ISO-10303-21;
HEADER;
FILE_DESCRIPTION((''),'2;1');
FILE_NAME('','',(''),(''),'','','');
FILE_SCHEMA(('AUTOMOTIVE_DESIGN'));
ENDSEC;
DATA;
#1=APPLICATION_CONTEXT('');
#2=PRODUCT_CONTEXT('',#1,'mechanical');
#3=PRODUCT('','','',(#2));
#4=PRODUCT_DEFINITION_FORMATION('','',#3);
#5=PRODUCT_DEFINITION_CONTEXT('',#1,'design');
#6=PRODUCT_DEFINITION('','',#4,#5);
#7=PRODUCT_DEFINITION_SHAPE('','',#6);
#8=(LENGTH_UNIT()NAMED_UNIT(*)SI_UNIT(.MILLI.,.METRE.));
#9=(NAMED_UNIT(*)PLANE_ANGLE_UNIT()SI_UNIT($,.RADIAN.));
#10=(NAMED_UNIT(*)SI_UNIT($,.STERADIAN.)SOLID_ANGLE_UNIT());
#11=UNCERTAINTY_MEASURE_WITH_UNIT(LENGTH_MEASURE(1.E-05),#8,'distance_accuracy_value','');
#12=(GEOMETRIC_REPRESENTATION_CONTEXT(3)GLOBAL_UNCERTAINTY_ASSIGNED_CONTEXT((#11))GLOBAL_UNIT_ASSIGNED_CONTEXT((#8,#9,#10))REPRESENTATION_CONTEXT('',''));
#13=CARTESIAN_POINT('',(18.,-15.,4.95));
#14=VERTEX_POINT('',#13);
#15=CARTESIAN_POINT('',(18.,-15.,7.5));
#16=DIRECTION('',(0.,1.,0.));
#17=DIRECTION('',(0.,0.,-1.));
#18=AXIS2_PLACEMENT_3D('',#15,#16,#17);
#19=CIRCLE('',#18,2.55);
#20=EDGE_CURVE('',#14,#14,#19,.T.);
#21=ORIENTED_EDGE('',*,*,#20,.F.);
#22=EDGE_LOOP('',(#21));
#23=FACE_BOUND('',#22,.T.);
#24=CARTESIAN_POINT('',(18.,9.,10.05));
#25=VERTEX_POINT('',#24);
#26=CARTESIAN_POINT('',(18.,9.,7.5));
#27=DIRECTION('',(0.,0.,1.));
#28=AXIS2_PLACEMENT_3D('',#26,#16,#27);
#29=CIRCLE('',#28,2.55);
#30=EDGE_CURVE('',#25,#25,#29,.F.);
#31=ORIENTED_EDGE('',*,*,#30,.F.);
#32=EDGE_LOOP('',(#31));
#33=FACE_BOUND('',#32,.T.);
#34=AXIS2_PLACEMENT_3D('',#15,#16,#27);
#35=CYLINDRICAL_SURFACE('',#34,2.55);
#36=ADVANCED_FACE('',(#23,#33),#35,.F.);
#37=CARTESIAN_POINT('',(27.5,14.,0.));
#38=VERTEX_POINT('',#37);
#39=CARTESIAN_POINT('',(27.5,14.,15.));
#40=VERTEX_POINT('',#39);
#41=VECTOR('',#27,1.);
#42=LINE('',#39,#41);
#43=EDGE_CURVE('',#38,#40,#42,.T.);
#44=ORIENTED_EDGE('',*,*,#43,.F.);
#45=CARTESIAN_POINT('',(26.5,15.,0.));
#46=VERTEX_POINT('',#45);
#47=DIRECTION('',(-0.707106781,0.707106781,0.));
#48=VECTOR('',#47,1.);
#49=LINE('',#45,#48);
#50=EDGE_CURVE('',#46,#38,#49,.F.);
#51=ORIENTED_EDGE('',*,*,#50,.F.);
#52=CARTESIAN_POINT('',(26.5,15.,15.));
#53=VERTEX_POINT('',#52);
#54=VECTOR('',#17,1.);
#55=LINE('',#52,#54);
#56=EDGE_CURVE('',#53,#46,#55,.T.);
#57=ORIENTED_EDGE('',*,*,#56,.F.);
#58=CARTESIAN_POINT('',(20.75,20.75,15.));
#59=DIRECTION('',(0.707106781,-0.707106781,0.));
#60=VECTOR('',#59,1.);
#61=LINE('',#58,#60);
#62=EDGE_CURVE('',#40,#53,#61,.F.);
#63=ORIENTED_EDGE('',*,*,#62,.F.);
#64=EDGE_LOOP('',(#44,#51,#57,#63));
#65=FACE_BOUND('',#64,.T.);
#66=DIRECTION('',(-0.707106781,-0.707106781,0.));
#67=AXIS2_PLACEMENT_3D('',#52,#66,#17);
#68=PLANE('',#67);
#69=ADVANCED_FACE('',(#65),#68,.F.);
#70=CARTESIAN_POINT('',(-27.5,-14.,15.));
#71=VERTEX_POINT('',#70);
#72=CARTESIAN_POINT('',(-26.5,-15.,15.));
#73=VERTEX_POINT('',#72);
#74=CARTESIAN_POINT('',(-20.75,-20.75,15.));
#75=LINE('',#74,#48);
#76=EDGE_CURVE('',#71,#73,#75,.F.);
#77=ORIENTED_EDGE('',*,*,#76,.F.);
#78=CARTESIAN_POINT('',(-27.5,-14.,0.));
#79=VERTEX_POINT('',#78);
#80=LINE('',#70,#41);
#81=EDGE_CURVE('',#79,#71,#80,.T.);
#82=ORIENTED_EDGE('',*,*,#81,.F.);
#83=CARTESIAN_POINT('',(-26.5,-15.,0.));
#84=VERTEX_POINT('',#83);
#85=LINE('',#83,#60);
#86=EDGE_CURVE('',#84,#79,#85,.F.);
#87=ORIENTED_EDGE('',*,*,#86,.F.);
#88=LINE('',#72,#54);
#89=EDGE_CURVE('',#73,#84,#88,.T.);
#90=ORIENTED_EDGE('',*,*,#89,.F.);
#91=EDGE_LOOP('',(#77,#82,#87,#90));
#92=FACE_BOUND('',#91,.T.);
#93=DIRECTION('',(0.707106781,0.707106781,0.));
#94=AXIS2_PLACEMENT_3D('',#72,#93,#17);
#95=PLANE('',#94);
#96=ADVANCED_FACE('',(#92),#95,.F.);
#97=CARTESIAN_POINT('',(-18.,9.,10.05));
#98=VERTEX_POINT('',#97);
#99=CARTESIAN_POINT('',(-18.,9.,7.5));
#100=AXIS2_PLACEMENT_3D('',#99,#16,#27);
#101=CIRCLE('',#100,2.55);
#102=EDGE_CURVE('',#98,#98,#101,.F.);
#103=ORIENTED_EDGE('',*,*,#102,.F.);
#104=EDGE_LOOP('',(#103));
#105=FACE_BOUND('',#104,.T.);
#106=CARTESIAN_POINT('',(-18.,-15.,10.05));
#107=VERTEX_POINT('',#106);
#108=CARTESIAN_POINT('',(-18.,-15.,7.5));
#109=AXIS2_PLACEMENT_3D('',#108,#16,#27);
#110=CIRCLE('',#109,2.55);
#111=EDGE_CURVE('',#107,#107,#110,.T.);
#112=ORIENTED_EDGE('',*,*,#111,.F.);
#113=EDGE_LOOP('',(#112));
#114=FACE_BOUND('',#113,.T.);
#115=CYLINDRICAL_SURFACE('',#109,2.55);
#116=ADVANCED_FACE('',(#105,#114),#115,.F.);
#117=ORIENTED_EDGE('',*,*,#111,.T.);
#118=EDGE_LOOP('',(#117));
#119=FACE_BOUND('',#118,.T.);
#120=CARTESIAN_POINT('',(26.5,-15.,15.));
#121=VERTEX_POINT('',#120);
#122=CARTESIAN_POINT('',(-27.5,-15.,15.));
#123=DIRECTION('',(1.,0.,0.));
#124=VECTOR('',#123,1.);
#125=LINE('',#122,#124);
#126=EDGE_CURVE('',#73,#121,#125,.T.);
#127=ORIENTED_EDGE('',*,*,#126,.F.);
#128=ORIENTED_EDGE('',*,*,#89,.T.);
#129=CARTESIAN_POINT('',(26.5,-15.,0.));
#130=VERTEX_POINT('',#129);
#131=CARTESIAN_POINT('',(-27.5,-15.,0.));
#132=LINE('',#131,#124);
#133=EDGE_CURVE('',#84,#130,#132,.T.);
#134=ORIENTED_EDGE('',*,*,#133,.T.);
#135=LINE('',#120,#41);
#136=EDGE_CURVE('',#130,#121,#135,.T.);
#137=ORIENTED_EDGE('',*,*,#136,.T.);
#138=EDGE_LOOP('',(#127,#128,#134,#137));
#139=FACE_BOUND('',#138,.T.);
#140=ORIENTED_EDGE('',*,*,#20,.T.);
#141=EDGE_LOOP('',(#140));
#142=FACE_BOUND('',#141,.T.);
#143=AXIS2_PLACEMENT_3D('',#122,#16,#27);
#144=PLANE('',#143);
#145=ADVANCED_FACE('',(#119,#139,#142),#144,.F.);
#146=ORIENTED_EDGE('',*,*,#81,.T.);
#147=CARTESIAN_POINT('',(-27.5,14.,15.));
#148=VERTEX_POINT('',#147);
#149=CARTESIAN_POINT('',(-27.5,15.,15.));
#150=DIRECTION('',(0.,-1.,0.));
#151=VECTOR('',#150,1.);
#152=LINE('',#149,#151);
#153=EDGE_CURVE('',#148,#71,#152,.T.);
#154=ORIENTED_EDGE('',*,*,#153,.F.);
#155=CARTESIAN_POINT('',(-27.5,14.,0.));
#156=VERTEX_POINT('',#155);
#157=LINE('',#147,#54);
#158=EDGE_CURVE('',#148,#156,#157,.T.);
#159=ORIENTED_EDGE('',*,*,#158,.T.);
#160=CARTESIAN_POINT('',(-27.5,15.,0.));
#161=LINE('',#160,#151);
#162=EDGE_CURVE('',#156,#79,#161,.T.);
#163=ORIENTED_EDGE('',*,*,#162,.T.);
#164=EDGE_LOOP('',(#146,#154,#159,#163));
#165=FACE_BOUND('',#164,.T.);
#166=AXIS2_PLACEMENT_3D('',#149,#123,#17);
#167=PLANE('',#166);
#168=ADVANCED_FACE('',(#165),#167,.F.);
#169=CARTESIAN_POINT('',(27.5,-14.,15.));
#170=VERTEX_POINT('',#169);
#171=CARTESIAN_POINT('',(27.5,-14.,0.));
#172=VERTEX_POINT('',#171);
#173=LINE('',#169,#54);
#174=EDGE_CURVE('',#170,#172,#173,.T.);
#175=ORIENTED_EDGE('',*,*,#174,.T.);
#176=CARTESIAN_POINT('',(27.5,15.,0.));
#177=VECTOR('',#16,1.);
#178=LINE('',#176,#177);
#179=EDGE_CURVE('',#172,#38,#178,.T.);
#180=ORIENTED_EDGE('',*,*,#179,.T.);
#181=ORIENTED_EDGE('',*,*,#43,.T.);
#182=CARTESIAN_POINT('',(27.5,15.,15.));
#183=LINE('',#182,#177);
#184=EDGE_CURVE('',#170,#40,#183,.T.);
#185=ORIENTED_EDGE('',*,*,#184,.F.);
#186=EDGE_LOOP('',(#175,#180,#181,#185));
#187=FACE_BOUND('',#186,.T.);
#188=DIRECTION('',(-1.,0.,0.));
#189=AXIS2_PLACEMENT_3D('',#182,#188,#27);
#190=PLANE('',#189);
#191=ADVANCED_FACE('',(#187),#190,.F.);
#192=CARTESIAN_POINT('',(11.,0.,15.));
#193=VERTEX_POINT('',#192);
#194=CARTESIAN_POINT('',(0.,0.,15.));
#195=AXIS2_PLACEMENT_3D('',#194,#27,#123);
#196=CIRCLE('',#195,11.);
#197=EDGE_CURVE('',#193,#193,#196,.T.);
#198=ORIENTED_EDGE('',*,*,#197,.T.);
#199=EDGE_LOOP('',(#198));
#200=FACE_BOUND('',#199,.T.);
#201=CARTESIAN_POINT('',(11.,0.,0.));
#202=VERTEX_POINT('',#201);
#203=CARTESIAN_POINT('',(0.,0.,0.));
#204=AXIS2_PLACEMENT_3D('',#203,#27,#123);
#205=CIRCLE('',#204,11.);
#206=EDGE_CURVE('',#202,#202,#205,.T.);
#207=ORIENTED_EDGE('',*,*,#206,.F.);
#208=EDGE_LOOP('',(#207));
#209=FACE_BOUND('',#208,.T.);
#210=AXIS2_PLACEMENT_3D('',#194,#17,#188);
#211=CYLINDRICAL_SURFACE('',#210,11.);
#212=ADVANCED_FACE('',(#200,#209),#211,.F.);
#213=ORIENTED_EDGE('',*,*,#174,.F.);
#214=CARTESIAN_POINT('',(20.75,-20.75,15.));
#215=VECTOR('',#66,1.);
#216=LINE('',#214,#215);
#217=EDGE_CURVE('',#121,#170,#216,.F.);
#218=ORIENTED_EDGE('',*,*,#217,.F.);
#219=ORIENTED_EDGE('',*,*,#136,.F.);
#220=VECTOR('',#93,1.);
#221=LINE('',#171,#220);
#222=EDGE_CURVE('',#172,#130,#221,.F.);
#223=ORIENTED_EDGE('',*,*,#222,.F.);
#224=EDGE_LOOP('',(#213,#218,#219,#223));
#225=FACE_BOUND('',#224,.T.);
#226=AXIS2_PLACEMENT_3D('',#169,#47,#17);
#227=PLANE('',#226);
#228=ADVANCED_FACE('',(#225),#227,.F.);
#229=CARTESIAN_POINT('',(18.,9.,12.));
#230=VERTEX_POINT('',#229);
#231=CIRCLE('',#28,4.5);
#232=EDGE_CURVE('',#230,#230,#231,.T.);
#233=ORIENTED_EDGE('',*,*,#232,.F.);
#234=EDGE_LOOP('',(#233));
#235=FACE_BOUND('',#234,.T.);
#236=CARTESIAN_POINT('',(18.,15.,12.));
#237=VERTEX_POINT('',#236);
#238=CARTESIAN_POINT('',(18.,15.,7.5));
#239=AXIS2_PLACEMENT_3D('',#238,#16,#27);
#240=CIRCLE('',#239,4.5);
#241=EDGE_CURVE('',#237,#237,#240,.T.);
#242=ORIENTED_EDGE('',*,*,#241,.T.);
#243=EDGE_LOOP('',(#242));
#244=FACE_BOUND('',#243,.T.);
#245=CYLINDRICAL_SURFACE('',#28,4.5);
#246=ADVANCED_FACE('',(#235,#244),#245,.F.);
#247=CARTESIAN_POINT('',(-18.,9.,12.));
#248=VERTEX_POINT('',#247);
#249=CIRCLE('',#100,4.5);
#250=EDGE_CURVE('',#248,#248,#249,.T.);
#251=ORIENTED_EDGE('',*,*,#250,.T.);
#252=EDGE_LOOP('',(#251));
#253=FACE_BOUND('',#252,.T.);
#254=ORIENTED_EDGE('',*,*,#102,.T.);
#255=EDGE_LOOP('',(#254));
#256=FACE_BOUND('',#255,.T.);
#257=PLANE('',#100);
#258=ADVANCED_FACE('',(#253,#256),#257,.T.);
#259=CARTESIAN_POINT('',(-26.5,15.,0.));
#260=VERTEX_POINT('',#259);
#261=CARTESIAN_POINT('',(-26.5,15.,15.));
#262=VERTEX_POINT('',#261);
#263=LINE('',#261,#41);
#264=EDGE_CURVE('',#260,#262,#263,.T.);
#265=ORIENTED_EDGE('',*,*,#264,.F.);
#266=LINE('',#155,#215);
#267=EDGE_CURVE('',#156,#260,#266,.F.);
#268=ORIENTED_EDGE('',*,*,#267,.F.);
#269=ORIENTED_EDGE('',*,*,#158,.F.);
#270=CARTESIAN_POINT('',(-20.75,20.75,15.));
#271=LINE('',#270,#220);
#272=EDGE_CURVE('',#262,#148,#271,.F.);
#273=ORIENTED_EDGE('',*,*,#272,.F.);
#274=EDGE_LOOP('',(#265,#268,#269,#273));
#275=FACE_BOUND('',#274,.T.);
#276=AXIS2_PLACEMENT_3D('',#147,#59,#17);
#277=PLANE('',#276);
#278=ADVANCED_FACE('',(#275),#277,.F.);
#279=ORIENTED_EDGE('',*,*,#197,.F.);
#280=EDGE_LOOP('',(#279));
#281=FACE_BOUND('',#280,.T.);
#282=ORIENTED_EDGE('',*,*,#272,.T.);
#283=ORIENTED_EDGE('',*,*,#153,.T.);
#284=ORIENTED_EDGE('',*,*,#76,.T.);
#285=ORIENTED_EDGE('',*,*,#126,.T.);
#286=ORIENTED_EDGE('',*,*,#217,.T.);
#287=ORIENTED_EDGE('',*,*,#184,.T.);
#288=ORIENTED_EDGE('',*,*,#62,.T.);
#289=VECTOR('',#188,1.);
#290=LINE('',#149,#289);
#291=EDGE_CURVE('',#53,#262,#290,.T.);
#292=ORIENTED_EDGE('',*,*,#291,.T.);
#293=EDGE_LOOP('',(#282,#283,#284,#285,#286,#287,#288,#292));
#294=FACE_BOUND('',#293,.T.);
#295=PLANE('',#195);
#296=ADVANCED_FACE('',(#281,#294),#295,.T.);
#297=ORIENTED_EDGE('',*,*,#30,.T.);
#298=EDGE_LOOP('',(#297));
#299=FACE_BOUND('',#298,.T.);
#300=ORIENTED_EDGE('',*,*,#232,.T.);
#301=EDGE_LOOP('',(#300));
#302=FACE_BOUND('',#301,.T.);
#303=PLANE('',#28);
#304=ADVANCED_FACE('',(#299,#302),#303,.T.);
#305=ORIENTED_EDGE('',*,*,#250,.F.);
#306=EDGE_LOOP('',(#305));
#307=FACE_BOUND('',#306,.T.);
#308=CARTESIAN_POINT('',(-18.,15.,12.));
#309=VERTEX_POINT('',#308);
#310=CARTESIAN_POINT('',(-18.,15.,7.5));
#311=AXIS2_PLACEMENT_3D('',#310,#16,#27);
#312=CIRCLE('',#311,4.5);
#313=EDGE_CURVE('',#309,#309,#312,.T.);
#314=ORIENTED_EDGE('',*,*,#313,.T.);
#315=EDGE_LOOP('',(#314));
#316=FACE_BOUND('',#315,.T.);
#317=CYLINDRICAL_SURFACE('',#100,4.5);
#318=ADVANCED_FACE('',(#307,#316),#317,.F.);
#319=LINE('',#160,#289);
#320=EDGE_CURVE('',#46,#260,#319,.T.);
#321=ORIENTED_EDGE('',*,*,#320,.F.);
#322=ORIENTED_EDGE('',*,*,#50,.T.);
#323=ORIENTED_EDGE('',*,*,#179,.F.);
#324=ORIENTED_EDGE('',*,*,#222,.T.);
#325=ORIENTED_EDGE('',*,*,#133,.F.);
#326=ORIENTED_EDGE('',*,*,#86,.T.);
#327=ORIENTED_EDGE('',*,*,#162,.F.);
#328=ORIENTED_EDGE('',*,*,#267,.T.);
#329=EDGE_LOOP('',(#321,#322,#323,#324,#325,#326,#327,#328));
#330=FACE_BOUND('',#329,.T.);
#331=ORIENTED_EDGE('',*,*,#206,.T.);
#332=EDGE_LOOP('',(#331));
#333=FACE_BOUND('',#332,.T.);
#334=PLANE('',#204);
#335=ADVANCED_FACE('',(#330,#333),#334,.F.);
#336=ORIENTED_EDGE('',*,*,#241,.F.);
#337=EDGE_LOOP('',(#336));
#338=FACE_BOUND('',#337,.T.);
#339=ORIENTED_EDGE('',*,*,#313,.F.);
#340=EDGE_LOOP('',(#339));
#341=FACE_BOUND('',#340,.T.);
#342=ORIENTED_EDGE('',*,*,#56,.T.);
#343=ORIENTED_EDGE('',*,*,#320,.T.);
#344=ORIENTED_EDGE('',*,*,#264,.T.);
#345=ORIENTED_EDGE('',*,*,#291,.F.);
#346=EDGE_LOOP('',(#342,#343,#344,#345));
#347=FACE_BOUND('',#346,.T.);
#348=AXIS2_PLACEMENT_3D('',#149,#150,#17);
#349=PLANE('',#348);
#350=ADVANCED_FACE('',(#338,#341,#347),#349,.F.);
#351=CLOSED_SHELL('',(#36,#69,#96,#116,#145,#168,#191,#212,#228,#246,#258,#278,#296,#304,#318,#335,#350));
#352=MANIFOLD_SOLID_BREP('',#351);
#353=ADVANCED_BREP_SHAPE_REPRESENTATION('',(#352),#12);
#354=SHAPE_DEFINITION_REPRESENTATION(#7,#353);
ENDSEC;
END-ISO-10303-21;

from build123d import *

# Parameters (mm, degrees)
SKETCH_1_W          = 55
SKETCH_1_H          = 30
SKETCH_1_R          = 11
EXTRUDE_1_DEPTH     = 15
SKETCH_2_R          = 2.55
CUT_EXTRUDE_1_DEPTH = 44.373378932
SKETCH_3_R          = 4.5
CUT_EXTRUDE_2_DEPTH = 6
CHAMFER_1_SIZE      = 1


with BuildPart() as part:
    # 草图1 → 凸台-拉伸1 (new body)
    with BuildSketch(Plane.XY):
        Rectangle(SKETCH_1_W, SKETCH_1_H)
        Circle(SKETCH_1_R, mode=Mode.SUBTRACT)
    extrude(amount=EXTRUDE_1_DEPTH)

    # 草图2 → 切除-拉伸1 (cut, through all)
    with BuildSketch(Plane(origin=(0, 15, 0), x_dir=(1, 0, 0), z_dir=(0, 1, 0))):
        with Locations(Location((-18, -7.5, 0), (0, 0, 270))):
            Circle(SKETCH_2_R)
        with Locations(Location((18, -7.5, 0), (0, 0, 90))):
            Circle(SKETCH_2_R)
    extrude(amount=-CUT_EXTRUDE_1_DEPTH, mode=Mode.SUBTRACT)

    # 草图3 → 切除-拉伸2 (cut)
    with BuildSketch(Plane(origin=(0, 15, 0), x_dir=(1, 0, 0), z_dir=(0, 1, 0))):
        with Locations(Location((-18, -7.5, 0), (0, 0, 270))):
            Circle(SKETCH_3_R)
        with Locations(Location((18, -7.5, 0), (0, 0, 270))):
            Circle(SKETCH_3_R)
    extrude(amount=-CUT_EXTRUDE_2_DEPTH, mode=Mode.SUBTRACT)

    # 倒角1
    chamfer_1_edges = [part.edges().sort_by_distance(p)[0] for p in [
        (-27.5, 15, 7.5),
        (27.5, 15, 7.5),
        (27.5, -15, 7.5),
        (-27.5, -15, 7.5),
    ]]
    chamfer(chamfer_1_edges, length=CHAMFER_1_SIZE)


solid = part.part
